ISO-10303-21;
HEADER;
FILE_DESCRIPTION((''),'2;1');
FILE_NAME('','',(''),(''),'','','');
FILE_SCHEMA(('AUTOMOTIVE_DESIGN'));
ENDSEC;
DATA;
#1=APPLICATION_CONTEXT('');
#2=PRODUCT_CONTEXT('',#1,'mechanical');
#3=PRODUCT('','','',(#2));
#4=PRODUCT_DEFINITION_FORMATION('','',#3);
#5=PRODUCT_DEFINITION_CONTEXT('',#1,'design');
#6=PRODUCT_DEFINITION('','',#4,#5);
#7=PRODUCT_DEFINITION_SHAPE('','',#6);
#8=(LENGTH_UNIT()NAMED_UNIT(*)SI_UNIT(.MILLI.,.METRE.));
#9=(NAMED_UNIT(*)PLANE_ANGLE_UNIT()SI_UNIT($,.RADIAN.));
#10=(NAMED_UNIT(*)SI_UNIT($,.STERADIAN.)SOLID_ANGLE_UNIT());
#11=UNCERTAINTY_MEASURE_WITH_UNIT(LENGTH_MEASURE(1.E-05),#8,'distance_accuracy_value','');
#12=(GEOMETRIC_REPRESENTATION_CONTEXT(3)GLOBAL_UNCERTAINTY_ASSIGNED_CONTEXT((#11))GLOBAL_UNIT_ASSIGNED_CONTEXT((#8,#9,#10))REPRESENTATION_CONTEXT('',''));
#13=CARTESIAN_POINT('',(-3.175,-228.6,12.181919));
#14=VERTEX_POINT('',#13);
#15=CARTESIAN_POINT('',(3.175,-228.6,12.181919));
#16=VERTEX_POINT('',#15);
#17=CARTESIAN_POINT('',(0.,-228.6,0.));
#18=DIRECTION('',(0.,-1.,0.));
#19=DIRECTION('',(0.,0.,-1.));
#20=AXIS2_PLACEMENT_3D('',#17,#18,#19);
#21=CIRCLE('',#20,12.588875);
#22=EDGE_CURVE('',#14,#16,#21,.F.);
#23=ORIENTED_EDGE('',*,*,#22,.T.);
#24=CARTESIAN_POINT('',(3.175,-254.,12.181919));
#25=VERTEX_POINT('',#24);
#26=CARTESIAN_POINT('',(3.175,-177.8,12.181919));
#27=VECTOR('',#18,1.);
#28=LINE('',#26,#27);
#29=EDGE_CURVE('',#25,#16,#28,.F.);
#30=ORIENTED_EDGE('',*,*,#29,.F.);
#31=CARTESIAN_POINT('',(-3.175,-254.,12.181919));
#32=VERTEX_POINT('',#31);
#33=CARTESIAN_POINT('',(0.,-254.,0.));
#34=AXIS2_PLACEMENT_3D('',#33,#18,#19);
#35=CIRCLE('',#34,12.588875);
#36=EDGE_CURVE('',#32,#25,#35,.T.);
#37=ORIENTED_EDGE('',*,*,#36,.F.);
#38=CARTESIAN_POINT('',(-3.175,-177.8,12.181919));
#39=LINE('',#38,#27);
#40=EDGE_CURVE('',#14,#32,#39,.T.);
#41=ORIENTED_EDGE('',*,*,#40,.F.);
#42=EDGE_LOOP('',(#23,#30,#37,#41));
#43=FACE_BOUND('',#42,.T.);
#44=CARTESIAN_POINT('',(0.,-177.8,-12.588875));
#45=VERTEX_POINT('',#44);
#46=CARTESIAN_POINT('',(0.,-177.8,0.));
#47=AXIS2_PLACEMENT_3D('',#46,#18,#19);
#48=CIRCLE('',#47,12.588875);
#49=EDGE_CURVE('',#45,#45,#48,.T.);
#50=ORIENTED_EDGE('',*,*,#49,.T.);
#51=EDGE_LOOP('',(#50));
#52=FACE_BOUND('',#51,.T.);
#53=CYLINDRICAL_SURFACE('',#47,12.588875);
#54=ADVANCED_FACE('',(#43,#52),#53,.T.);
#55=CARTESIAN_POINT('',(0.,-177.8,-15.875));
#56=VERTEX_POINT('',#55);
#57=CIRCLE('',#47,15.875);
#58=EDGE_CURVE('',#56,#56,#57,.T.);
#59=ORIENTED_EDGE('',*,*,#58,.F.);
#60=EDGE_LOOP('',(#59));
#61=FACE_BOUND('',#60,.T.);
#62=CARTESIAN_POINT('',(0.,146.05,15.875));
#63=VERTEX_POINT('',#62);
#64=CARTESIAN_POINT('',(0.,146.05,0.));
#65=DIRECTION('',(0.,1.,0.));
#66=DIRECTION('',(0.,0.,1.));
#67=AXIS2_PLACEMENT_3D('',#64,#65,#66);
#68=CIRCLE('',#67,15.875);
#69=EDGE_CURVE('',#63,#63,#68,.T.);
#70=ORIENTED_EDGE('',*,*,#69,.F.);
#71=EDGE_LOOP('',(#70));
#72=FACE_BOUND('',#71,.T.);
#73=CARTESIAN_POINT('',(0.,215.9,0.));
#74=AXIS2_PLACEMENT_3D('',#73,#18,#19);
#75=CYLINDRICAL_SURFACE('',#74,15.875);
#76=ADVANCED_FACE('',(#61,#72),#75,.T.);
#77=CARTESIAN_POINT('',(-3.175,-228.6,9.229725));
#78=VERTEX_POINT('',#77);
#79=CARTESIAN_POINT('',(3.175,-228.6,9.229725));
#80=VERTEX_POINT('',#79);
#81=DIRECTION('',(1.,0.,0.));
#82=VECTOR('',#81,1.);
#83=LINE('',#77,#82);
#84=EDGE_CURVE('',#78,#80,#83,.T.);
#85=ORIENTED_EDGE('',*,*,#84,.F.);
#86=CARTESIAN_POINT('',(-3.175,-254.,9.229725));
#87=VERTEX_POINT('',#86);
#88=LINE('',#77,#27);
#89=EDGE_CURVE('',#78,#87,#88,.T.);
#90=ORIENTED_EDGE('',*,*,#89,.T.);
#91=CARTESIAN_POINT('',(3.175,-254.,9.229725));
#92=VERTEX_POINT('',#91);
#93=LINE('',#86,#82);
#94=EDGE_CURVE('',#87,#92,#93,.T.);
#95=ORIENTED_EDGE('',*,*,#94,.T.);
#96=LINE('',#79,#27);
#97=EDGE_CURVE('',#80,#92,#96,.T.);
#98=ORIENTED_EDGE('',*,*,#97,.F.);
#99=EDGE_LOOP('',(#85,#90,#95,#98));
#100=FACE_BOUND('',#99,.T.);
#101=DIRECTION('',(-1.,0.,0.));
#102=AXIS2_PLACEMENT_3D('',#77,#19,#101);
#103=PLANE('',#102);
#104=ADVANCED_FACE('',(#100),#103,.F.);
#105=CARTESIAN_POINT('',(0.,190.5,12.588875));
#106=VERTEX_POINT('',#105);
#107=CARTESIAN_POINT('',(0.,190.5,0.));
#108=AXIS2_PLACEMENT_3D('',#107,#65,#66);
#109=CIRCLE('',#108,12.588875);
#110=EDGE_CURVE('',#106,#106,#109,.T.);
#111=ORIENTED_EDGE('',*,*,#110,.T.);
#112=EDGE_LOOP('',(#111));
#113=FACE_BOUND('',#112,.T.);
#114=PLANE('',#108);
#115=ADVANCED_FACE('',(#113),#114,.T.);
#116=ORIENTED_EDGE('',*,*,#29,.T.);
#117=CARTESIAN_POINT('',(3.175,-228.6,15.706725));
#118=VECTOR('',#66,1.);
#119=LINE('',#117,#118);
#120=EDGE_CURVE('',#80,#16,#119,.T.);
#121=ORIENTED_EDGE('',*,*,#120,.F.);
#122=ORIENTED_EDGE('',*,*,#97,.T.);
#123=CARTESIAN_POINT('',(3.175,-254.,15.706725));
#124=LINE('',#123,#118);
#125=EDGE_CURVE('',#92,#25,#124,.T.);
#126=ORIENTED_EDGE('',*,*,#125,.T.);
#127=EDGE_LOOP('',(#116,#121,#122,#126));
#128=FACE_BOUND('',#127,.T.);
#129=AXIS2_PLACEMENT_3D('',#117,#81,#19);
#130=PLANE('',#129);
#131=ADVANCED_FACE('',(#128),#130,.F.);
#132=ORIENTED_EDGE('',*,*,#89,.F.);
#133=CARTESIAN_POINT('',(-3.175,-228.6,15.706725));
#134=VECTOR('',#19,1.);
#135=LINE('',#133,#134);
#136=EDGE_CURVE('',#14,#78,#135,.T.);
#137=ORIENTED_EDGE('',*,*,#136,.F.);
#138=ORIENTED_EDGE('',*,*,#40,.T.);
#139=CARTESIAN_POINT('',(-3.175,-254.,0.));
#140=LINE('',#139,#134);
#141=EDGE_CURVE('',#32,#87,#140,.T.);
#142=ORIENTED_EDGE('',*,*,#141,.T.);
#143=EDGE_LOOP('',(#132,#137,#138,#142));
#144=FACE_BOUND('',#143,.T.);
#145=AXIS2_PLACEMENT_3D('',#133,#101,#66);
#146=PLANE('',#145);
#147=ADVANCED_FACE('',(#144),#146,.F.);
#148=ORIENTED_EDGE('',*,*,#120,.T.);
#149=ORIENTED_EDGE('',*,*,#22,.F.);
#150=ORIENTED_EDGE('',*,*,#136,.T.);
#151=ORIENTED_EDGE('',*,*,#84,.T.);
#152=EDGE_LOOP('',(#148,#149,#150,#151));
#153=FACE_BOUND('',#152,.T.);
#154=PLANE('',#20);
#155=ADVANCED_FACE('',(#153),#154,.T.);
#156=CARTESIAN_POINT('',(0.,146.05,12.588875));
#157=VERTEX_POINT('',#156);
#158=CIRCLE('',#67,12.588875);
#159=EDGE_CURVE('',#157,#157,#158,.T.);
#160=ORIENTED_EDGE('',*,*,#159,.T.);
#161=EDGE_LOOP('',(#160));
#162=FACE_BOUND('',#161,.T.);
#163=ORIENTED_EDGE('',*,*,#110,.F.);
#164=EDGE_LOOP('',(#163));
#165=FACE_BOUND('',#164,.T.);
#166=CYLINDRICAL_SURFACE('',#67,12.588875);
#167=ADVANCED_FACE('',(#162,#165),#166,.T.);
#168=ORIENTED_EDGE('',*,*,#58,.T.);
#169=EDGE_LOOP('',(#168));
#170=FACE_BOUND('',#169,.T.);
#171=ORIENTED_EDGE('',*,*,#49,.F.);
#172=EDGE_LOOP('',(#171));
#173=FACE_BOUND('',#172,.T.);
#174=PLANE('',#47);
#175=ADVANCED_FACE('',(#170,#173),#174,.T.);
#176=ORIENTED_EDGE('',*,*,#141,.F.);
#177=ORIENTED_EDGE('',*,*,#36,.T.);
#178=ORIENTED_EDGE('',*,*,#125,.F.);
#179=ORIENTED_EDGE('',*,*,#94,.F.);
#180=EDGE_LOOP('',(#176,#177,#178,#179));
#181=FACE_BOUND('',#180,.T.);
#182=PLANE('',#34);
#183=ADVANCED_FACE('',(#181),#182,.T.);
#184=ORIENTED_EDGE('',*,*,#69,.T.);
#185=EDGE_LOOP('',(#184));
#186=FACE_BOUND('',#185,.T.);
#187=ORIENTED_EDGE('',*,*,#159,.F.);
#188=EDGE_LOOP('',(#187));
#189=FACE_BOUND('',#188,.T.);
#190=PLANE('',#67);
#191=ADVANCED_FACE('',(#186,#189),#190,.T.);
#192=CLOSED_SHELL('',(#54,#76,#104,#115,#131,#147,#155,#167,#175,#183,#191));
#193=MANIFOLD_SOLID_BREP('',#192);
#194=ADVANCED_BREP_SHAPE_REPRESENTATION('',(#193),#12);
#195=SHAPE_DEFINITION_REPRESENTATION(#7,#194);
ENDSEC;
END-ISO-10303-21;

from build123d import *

# Parameters (mm, degrees)
SKETCH1_R           = 15.875
BOSS_EXTRUDE1_DEPTH = 215.9
SKETCH4_R           = 15.875
SKETCH4_R_2         = 12.588875
CUT_EXTRUDE3_DEPTH  = 69.85
CUT_EXTRUDE4_START  = -38.1
SKETCH5_R           = 15.875
SKETCH5_R_2         = 12.588875
CUT_EXTRUDE4_DEPTH  = 38.1
SKETCH7_R           = 12.588875
BOSS_EXTRUDE2_DEPTH = 38.1
SKETCH8_W           = 6.35
SKETCH8_H           = 6.477
CUT_EXTRUDE5_DEPTH  = 25.4
SKETCH9_R           = 12.588875
CUT_EXTRUDE6_DEPTH  = 25.4


with BuildPart() as part:
    # Sketch1 → Boss-Extrude1 (new, symmetric)
    with BuildSketch(Plane(origin=(0, 0, 0), x_dir=(1, 0, 0), z_dir=(0, 1, 0))):
        with Locations(Location((0, 0, 0), (0, 0, 270))):
            Circle(SKETCH1_R)
    extrude(amount=BOSS_EXTRUDE1_DEPTH, both=True)

    # Sketch4 → Cut-Extrude3 (cut)
    with BuildSketch(Plane(origin=(0, 215.9, 0), x_dir=(1, 0, 0), z_dir=(0, 1, 0))):
        with Locations(Location((0, 0, 0), (0, 0, 270))):
            Circle(SKETCH4_R)
        with Locations(Location((0, 0, 0), (0, 0, 270))):
            Circle(SKETCH4_R_2, mode=Mode.SUBTRACT)
    extrude(amount=-CUT_EXTRUDE3_DEPTH, mode=Mode.SUBTRACT)

    # Sketch5 → Cut-Extrude4 (cut)
    with BuildSketch(Plane.XZ.offset(215.9).offset(CUT_EXTRUDE4_START)):
        with Locations(Location((0, 0, 0), (0, 0, 270))):
            Circle(SKETCH5_R)
        with Locations(Location((0, 0, 0), (0, 0, 90))):
            Circle(SKETCH5_R_2, mode=Mode.SUBTRACT)
    extrude(amount=CUT_EXTRUDE4_DEPTH, mode=Mode.SUBTRACT)

    # Sketch7 → Boss-Extrude2 (add)
    with BuildSketch(Plane.XZ.offset(215.9)):
        with Locations(Location((0, 0, 0), (0, 0, 90))):
            Circle(SKETCH7_R)
    extrude(amount=BOSS_EXTRUDE2_DEPTH)

    # Sketch8 → Cut-Extrude5 (cut)
    with BuildSketch(Plane.XZ.offset(254)):
        with Locations((0, 12.468225)):
            Rectangle(SKETCH8_W, SKETCH8_H)
    extrude(amount=-CUT_EXTRUDE5_DEPTH, mode=Mode.SUBTRACT)

    # Sketch9 → Cut-Extrude6 (cut)
    with BuildSketch(Plane(origin=(0, 215.9, 0), x_dir=(1, 0, 0), z_dir=(0, 1, 0))):
        with Locations(Location((0, 0, 0), (0, 0, 270))):
            Circle(SKETCH9_R)
    extrude(amount=-CUT_EXTRUDE6_DEPTH, mode=Mode.SUBTRACT)


solid = part.part
